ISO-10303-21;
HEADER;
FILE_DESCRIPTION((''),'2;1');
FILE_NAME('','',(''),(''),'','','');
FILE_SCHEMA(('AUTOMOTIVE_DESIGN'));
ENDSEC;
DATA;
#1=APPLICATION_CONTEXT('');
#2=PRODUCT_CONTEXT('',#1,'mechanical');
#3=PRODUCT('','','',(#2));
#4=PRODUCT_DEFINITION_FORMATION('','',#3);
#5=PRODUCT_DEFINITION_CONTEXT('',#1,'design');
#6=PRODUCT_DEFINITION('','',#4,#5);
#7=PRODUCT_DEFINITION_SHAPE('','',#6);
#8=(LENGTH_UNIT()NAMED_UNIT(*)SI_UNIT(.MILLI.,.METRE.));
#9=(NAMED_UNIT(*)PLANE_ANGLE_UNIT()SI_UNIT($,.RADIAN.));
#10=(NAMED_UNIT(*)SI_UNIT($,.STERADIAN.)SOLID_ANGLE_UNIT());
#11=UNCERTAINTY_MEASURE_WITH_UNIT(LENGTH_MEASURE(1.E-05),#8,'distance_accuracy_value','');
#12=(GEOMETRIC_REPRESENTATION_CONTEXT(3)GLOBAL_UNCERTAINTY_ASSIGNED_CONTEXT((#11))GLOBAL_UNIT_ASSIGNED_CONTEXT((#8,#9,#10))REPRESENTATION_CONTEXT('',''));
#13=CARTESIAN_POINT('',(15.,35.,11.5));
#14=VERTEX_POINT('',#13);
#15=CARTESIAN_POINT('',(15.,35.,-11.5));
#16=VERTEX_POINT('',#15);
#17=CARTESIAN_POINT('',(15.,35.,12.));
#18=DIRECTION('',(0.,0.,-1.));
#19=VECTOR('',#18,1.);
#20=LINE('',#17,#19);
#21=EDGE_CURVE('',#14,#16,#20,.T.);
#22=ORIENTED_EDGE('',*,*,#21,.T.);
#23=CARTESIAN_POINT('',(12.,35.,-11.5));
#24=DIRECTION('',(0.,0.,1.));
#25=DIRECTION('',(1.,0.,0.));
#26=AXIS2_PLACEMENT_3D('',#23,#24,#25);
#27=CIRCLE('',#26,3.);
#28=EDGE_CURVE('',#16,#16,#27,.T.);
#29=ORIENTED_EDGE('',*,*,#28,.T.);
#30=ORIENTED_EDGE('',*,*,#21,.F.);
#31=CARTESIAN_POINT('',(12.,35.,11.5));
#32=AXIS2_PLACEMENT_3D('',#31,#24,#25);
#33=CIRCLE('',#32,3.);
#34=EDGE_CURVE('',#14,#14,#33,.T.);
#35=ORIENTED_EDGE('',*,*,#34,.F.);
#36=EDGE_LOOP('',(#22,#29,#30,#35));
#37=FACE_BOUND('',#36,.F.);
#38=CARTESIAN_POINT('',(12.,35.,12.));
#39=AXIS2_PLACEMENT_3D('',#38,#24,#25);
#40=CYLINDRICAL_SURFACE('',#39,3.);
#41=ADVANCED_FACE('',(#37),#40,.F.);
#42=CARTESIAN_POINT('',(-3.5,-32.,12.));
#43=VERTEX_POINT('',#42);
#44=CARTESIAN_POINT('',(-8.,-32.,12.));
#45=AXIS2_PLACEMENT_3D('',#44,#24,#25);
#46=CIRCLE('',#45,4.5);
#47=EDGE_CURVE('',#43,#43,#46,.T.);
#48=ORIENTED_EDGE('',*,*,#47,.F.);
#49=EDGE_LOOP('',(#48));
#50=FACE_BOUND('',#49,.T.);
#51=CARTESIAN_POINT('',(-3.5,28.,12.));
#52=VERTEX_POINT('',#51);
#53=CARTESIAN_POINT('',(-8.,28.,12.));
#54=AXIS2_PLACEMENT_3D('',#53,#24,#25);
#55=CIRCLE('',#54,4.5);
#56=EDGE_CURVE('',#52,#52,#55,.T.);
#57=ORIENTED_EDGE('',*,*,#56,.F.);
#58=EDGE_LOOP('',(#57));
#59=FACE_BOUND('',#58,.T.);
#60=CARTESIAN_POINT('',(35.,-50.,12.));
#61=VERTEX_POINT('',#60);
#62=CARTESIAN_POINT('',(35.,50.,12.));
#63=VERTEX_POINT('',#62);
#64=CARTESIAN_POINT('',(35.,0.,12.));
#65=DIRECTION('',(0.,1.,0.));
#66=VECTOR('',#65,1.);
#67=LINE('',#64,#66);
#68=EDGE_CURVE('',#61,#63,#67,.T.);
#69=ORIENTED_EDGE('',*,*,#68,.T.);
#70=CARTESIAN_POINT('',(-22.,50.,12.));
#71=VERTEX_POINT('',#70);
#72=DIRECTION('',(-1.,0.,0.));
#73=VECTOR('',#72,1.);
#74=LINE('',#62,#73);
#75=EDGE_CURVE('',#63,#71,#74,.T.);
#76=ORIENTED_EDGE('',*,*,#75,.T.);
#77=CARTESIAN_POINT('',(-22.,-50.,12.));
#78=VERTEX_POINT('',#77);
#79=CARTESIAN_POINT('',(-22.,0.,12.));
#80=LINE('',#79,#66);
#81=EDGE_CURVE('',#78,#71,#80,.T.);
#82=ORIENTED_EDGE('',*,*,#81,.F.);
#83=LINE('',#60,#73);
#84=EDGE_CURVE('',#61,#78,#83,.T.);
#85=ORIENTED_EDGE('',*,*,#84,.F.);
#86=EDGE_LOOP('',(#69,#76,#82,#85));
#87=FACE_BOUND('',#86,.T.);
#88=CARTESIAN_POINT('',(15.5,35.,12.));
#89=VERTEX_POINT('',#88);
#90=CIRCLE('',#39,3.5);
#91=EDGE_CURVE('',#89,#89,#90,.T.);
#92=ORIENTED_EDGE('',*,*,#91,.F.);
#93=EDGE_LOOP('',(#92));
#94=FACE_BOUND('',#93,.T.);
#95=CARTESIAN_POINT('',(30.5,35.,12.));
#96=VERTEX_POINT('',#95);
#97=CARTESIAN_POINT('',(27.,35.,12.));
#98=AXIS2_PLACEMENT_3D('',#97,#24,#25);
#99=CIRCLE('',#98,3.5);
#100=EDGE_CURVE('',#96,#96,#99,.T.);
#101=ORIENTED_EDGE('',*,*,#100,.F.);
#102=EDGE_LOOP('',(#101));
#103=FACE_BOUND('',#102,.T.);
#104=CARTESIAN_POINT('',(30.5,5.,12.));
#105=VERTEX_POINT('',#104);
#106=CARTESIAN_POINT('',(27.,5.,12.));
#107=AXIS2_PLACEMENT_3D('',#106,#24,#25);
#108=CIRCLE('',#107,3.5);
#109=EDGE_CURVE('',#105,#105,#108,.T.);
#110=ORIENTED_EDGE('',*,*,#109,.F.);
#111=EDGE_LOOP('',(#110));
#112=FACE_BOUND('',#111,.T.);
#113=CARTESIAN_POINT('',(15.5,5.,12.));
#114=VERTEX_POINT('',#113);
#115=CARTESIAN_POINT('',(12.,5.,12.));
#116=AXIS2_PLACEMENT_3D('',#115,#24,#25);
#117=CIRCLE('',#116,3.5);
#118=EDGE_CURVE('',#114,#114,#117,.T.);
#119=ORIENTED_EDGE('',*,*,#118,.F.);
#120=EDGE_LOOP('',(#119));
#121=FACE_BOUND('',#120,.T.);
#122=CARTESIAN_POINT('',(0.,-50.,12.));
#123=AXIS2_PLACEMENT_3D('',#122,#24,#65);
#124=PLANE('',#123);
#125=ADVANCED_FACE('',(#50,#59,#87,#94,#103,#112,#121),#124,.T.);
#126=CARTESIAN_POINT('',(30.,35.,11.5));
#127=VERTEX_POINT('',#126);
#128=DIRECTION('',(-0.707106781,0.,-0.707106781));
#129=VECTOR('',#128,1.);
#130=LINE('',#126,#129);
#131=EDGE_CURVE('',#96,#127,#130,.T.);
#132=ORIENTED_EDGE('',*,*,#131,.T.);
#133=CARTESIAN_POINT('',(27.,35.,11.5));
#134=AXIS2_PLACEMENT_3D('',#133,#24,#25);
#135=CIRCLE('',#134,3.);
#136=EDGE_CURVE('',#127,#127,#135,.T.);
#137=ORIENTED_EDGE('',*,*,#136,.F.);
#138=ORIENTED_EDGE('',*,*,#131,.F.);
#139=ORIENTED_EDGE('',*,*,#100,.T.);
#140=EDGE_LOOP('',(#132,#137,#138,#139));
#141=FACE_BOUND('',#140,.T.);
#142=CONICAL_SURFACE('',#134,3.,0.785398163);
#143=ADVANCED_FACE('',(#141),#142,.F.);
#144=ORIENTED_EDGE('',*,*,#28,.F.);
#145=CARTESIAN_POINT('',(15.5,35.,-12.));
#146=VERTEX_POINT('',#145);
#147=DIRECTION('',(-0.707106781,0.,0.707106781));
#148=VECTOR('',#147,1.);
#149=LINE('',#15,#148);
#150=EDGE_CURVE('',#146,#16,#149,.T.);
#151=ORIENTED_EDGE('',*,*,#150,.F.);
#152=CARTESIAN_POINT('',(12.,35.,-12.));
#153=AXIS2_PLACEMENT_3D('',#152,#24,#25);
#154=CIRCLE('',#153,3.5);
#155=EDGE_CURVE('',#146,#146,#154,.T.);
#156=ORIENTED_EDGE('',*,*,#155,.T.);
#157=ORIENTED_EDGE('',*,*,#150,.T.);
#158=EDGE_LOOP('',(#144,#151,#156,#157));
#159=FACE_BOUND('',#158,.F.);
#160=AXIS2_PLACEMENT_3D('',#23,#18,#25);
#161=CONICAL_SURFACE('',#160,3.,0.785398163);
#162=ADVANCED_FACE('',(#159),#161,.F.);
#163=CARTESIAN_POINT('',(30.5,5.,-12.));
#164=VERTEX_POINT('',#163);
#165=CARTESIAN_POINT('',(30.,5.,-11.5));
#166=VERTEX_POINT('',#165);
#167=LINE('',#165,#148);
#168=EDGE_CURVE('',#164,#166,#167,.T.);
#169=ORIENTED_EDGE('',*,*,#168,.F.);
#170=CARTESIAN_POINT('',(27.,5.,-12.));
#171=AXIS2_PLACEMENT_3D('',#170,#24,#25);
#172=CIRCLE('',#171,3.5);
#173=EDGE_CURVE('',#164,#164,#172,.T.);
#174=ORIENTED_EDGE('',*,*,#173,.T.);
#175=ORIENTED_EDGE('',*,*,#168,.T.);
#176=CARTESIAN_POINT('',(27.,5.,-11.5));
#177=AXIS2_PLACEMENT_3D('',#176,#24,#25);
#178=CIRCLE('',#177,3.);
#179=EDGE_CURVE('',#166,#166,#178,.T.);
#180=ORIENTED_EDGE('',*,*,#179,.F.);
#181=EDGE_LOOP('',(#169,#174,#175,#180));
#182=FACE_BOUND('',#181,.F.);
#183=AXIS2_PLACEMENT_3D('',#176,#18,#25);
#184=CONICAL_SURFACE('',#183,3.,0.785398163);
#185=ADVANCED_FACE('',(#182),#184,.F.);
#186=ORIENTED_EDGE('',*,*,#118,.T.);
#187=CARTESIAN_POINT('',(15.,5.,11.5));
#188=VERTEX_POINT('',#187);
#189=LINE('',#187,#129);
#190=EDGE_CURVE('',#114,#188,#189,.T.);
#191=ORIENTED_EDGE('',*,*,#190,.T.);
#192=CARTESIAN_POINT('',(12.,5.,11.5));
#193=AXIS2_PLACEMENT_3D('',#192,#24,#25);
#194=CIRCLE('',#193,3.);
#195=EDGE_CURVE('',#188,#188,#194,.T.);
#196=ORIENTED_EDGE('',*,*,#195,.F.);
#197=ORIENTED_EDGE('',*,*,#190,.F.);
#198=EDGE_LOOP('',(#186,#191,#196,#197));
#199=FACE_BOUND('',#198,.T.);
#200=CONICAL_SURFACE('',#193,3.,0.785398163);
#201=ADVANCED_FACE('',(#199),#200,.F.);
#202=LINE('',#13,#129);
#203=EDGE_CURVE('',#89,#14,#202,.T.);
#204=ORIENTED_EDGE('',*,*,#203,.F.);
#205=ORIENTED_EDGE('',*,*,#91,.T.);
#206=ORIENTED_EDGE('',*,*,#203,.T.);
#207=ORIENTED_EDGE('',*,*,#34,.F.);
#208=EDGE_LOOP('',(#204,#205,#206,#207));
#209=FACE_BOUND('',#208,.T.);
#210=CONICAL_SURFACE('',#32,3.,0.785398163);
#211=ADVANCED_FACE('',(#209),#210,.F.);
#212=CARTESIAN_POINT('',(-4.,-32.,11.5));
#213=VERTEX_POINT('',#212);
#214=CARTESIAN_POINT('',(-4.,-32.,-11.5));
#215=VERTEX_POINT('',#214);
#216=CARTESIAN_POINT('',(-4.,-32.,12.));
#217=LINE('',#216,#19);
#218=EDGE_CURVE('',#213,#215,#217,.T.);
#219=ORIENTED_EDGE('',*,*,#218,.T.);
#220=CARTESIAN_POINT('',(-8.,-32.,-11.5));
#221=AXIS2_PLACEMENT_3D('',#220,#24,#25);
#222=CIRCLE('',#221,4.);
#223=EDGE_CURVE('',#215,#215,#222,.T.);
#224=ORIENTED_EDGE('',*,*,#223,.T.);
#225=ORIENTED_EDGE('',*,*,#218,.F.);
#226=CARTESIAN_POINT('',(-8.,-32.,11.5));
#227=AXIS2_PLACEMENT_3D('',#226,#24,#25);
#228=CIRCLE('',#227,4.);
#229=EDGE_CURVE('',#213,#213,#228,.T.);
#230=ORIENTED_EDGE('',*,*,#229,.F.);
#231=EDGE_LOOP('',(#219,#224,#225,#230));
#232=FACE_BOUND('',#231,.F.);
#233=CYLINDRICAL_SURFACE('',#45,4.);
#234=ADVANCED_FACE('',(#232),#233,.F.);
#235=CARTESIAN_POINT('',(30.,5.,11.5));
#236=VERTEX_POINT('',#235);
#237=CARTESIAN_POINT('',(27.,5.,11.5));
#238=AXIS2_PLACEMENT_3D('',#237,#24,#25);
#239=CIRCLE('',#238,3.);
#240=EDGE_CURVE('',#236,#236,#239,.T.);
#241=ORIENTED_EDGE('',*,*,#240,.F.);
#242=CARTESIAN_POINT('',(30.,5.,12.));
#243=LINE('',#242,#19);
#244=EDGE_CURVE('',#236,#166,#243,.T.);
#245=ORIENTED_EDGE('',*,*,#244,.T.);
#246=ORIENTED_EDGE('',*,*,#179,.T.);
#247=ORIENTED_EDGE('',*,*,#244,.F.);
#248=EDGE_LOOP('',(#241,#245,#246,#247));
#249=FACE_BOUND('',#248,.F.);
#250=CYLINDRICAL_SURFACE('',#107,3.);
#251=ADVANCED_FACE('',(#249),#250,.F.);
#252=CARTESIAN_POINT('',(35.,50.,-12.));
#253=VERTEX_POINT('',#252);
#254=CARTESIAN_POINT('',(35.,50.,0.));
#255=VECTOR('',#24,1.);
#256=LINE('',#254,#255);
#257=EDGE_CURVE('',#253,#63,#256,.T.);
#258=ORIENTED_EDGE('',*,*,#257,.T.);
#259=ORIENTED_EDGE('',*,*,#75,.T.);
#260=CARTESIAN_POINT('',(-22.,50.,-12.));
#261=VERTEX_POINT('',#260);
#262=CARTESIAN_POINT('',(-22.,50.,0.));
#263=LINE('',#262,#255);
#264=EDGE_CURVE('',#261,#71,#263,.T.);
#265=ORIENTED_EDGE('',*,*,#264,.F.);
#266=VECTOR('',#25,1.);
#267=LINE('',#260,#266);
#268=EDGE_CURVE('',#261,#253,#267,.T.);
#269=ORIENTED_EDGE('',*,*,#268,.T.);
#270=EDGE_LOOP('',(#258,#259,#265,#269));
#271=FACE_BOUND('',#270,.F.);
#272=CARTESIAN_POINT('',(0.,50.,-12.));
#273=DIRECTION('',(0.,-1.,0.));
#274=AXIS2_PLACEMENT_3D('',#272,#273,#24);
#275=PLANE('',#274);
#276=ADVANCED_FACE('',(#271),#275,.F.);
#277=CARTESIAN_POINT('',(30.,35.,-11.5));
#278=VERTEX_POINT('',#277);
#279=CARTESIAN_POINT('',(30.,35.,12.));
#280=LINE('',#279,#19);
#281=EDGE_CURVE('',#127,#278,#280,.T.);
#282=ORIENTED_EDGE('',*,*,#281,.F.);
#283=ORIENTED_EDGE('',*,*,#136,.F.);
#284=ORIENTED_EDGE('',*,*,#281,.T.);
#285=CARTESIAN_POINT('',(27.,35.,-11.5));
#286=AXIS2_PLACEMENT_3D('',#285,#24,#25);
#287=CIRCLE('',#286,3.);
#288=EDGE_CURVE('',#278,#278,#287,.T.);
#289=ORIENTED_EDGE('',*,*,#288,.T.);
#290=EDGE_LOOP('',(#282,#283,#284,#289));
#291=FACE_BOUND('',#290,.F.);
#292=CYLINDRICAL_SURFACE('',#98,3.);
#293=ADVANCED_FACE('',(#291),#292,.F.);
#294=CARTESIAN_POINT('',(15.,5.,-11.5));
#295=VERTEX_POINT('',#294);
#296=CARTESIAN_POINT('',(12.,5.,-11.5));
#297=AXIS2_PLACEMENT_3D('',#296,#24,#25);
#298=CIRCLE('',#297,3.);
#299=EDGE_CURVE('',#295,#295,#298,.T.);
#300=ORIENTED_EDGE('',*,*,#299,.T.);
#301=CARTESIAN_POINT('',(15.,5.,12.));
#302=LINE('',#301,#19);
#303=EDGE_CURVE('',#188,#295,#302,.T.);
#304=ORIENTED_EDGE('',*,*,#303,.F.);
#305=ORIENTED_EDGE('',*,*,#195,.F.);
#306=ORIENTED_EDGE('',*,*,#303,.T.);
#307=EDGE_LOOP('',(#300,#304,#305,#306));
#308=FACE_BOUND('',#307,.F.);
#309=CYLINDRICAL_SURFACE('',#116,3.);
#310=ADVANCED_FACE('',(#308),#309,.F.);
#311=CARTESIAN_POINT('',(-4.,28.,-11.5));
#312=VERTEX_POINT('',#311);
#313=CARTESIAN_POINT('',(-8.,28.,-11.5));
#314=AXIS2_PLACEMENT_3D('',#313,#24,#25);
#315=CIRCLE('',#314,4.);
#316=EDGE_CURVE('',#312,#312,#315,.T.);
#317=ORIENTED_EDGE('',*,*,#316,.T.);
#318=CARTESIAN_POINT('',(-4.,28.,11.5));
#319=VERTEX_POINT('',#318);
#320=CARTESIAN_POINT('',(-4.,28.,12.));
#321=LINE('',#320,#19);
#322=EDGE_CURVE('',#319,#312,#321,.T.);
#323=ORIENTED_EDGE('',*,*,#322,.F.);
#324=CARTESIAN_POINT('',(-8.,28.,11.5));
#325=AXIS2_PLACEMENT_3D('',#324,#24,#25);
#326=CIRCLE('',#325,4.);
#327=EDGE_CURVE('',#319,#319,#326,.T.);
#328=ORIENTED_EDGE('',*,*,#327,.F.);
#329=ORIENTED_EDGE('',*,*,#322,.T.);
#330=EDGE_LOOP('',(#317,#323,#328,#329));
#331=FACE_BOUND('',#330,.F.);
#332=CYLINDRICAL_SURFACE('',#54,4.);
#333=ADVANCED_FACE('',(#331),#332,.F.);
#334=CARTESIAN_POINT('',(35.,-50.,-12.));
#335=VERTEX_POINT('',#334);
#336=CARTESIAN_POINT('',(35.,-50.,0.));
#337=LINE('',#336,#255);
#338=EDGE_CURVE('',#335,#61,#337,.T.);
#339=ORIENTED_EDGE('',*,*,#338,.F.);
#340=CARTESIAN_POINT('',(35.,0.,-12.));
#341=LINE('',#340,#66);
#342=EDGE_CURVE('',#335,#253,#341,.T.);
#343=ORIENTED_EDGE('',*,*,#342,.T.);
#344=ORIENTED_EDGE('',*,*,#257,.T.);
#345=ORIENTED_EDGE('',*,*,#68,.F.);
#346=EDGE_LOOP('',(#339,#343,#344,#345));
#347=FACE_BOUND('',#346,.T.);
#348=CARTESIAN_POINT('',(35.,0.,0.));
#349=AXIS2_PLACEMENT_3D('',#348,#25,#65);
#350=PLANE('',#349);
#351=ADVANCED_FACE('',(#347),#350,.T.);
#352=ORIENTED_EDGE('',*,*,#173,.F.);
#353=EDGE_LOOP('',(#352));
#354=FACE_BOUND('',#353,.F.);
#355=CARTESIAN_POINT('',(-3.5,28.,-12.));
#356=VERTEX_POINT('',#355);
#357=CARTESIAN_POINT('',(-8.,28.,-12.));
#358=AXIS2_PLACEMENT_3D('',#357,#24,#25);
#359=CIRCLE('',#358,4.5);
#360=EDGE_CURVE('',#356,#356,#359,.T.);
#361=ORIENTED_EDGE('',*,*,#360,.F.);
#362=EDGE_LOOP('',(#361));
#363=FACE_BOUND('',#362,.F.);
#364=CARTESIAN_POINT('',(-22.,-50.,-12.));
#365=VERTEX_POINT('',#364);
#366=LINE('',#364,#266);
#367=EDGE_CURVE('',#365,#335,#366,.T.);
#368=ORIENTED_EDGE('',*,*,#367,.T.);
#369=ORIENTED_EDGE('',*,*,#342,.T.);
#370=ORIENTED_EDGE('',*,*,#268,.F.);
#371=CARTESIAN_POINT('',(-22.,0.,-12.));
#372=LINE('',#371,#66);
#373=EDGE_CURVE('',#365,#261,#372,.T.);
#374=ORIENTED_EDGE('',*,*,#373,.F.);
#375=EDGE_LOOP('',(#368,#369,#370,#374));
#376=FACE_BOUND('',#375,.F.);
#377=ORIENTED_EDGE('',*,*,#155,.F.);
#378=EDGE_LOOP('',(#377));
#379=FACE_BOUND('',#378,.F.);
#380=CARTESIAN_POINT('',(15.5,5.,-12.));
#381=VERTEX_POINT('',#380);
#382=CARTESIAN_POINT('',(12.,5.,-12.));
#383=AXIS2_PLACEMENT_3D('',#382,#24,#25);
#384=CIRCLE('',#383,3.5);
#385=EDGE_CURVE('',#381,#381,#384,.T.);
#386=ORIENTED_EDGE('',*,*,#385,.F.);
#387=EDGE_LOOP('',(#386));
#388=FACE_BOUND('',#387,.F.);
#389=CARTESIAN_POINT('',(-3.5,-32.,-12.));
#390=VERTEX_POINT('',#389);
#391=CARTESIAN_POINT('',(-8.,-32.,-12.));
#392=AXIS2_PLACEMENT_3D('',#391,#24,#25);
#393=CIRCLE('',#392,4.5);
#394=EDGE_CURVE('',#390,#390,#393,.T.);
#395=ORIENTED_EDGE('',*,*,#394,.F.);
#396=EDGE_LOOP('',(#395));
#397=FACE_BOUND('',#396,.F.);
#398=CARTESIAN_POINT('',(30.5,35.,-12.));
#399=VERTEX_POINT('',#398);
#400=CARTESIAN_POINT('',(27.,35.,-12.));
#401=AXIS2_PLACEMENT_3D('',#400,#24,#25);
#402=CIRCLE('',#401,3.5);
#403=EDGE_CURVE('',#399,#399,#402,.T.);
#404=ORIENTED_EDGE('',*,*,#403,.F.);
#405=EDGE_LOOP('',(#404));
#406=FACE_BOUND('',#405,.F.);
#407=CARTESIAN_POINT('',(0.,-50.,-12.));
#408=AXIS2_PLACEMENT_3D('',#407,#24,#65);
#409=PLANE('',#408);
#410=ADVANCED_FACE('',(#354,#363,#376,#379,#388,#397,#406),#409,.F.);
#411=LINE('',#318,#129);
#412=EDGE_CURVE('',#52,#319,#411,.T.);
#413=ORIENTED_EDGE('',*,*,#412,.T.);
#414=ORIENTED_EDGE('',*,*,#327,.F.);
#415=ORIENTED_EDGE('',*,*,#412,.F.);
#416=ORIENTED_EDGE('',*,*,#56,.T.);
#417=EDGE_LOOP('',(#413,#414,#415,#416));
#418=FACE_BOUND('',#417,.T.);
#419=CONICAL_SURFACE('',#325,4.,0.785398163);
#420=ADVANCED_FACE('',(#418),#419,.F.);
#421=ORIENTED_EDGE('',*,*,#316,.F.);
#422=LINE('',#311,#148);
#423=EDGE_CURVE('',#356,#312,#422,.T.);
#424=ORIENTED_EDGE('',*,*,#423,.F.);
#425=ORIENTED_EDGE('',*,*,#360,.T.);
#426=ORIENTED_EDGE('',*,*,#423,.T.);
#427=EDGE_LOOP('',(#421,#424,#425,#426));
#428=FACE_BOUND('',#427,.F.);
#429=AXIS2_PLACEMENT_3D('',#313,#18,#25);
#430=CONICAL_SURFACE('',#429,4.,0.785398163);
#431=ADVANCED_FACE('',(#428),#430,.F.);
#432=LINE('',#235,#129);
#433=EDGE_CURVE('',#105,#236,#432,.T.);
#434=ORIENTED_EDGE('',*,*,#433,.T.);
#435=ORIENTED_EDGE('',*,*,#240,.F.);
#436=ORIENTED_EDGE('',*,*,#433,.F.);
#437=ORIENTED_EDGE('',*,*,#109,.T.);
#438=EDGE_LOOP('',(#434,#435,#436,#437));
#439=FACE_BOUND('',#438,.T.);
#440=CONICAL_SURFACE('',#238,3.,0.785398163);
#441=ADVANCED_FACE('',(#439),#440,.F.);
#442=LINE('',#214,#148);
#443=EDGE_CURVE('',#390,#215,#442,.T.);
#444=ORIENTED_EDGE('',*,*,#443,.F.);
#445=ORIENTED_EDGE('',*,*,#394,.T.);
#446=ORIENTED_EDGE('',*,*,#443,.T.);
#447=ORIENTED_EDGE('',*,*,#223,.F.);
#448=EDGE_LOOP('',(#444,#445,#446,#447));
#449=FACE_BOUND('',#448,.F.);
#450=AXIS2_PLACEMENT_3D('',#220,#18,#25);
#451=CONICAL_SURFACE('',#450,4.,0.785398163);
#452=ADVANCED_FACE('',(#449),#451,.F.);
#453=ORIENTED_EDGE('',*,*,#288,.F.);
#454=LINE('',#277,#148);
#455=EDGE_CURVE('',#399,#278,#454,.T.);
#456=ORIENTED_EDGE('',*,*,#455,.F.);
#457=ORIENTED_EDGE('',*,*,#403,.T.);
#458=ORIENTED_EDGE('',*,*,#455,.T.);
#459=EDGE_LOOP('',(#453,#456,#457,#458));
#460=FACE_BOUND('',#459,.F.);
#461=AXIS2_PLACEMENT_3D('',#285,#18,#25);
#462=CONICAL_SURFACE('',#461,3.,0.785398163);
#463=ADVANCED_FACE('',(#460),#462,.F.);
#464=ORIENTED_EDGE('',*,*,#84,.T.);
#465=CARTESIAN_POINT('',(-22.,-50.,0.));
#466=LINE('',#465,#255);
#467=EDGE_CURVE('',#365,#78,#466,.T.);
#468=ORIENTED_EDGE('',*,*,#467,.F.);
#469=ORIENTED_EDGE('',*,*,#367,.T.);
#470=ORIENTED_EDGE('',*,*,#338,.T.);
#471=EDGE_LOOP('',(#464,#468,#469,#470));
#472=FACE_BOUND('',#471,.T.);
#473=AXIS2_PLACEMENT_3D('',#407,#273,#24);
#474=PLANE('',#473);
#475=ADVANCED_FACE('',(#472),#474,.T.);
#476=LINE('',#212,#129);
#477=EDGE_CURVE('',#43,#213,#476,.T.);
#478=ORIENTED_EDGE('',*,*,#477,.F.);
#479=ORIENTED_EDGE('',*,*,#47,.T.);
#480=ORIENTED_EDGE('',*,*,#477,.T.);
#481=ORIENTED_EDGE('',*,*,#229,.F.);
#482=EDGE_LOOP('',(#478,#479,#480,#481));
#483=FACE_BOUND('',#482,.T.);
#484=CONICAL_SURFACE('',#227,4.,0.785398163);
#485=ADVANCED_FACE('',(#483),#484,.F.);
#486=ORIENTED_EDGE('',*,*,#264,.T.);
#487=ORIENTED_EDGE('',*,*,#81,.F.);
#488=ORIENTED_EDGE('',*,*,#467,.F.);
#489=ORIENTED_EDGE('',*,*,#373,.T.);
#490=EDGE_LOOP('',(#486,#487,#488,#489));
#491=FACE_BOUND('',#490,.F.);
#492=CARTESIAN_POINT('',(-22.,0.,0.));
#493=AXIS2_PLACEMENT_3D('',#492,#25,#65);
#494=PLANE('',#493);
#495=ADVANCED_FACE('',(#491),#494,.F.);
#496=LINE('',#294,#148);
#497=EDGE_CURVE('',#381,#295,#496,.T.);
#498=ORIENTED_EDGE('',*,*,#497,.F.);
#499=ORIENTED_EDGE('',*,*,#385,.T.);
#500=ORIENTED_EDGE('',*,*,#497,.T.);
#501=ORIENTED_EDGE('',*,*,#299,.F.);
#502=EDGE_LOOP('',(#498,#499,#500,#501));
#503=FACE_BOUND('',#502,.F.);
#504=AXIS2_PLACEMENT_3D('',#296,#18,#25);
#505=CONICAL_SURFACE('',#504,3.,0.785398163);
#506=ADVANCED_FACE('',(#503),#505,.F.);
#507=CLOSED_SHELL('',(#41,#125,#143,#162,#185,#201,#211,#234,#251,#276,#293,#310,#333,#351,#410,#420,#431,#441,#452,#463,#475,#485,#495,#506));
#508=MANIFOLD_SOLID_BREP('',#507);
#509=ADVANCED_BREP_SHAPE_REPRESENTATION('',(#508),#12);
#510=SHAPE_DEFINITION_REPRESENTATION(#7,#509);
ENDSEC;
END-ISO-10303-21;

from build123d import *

# Parameters (mm, degrees)
F0_W     = 100
F0_H     = 24
F1_DEPTH = 22
F2_R     = 4
F3_DEPTH = 24.001
F4_SIZE  = 0.5
F5_W     = 100
F5_H     = 24
F6_DEPTH = 35
F7_R     = 3
F8_DEPTH = 24.001
F9_SIZE  = 0.5


with BuildPart() as f1:
    # F0 (on Right) → F1 (new body)
    with BuildSketch(Plane.YZ):
        Rectangle(F0_W, F0_H)
    extrude(amount=-F1_DEPTH)

    # F2 (on face) → F3 (cut, through all)
    with BuildSketch(Plane.XY.offset(12)):
        with Locations((-8, 28)):
            Circle(F2_R)
        with Locations((-8, -32)):
            Circle(F2_R)
    extrude(amount=-F3_DEPTH, mode=Mode.SUBTRACT)

    # F4
    f4_edges = [f1.edges().sort_by_distance(p)[0] for p in [
        (-12, 28, 12),
        (-4, 28, 0),
        (-12, 28, -12),
        (-12, -32, 12),
        (-4, -32, 0),
        (-12, -32, -12),
    ]]
    chamfer(f4_edges, length=F4_SIZE)

    # F5 (on face) → F6 (join)
    with BuildSketch(Plane.YZ):
        Rectangle(F5_W, F5_H)
    extrude(amount=F6_DEPTH)

    # F7 (on face) → F8 (cut, through all)
    with BuildSketch(Plane.XY.offset(12)):
        with Locations((27, 5)):
            Circle(F7_R)
        with Locations((27, 35)):
            Circle(F7_R)
        with Locations((12, 35)):
            Circle(F7_R)
        with Locations((12, 5)):
            Circle(F7_R)
    extrude(amount=-F8_DEPTH, mode=Mode.SUBTRACT)

    # F9
    f9_edges = [f1.edges().sort_by_distance(p)[0] for p in [
        (24, 5, 12),
        (30, 5, 0),
        (24, 5, -12),
        (24, 35, 12),
        (30, 35, 0),
        (24, 35, -12),
        (9, 35, 12),
        (15, 35, 0),
        (9, 35, -12),
        (9, 5, 12),
        (15, 5, 0),
        (9, 5, -12),
    ]]
    chamfer(f9_edges, length=F9_SIZE)


solid = f1.part
